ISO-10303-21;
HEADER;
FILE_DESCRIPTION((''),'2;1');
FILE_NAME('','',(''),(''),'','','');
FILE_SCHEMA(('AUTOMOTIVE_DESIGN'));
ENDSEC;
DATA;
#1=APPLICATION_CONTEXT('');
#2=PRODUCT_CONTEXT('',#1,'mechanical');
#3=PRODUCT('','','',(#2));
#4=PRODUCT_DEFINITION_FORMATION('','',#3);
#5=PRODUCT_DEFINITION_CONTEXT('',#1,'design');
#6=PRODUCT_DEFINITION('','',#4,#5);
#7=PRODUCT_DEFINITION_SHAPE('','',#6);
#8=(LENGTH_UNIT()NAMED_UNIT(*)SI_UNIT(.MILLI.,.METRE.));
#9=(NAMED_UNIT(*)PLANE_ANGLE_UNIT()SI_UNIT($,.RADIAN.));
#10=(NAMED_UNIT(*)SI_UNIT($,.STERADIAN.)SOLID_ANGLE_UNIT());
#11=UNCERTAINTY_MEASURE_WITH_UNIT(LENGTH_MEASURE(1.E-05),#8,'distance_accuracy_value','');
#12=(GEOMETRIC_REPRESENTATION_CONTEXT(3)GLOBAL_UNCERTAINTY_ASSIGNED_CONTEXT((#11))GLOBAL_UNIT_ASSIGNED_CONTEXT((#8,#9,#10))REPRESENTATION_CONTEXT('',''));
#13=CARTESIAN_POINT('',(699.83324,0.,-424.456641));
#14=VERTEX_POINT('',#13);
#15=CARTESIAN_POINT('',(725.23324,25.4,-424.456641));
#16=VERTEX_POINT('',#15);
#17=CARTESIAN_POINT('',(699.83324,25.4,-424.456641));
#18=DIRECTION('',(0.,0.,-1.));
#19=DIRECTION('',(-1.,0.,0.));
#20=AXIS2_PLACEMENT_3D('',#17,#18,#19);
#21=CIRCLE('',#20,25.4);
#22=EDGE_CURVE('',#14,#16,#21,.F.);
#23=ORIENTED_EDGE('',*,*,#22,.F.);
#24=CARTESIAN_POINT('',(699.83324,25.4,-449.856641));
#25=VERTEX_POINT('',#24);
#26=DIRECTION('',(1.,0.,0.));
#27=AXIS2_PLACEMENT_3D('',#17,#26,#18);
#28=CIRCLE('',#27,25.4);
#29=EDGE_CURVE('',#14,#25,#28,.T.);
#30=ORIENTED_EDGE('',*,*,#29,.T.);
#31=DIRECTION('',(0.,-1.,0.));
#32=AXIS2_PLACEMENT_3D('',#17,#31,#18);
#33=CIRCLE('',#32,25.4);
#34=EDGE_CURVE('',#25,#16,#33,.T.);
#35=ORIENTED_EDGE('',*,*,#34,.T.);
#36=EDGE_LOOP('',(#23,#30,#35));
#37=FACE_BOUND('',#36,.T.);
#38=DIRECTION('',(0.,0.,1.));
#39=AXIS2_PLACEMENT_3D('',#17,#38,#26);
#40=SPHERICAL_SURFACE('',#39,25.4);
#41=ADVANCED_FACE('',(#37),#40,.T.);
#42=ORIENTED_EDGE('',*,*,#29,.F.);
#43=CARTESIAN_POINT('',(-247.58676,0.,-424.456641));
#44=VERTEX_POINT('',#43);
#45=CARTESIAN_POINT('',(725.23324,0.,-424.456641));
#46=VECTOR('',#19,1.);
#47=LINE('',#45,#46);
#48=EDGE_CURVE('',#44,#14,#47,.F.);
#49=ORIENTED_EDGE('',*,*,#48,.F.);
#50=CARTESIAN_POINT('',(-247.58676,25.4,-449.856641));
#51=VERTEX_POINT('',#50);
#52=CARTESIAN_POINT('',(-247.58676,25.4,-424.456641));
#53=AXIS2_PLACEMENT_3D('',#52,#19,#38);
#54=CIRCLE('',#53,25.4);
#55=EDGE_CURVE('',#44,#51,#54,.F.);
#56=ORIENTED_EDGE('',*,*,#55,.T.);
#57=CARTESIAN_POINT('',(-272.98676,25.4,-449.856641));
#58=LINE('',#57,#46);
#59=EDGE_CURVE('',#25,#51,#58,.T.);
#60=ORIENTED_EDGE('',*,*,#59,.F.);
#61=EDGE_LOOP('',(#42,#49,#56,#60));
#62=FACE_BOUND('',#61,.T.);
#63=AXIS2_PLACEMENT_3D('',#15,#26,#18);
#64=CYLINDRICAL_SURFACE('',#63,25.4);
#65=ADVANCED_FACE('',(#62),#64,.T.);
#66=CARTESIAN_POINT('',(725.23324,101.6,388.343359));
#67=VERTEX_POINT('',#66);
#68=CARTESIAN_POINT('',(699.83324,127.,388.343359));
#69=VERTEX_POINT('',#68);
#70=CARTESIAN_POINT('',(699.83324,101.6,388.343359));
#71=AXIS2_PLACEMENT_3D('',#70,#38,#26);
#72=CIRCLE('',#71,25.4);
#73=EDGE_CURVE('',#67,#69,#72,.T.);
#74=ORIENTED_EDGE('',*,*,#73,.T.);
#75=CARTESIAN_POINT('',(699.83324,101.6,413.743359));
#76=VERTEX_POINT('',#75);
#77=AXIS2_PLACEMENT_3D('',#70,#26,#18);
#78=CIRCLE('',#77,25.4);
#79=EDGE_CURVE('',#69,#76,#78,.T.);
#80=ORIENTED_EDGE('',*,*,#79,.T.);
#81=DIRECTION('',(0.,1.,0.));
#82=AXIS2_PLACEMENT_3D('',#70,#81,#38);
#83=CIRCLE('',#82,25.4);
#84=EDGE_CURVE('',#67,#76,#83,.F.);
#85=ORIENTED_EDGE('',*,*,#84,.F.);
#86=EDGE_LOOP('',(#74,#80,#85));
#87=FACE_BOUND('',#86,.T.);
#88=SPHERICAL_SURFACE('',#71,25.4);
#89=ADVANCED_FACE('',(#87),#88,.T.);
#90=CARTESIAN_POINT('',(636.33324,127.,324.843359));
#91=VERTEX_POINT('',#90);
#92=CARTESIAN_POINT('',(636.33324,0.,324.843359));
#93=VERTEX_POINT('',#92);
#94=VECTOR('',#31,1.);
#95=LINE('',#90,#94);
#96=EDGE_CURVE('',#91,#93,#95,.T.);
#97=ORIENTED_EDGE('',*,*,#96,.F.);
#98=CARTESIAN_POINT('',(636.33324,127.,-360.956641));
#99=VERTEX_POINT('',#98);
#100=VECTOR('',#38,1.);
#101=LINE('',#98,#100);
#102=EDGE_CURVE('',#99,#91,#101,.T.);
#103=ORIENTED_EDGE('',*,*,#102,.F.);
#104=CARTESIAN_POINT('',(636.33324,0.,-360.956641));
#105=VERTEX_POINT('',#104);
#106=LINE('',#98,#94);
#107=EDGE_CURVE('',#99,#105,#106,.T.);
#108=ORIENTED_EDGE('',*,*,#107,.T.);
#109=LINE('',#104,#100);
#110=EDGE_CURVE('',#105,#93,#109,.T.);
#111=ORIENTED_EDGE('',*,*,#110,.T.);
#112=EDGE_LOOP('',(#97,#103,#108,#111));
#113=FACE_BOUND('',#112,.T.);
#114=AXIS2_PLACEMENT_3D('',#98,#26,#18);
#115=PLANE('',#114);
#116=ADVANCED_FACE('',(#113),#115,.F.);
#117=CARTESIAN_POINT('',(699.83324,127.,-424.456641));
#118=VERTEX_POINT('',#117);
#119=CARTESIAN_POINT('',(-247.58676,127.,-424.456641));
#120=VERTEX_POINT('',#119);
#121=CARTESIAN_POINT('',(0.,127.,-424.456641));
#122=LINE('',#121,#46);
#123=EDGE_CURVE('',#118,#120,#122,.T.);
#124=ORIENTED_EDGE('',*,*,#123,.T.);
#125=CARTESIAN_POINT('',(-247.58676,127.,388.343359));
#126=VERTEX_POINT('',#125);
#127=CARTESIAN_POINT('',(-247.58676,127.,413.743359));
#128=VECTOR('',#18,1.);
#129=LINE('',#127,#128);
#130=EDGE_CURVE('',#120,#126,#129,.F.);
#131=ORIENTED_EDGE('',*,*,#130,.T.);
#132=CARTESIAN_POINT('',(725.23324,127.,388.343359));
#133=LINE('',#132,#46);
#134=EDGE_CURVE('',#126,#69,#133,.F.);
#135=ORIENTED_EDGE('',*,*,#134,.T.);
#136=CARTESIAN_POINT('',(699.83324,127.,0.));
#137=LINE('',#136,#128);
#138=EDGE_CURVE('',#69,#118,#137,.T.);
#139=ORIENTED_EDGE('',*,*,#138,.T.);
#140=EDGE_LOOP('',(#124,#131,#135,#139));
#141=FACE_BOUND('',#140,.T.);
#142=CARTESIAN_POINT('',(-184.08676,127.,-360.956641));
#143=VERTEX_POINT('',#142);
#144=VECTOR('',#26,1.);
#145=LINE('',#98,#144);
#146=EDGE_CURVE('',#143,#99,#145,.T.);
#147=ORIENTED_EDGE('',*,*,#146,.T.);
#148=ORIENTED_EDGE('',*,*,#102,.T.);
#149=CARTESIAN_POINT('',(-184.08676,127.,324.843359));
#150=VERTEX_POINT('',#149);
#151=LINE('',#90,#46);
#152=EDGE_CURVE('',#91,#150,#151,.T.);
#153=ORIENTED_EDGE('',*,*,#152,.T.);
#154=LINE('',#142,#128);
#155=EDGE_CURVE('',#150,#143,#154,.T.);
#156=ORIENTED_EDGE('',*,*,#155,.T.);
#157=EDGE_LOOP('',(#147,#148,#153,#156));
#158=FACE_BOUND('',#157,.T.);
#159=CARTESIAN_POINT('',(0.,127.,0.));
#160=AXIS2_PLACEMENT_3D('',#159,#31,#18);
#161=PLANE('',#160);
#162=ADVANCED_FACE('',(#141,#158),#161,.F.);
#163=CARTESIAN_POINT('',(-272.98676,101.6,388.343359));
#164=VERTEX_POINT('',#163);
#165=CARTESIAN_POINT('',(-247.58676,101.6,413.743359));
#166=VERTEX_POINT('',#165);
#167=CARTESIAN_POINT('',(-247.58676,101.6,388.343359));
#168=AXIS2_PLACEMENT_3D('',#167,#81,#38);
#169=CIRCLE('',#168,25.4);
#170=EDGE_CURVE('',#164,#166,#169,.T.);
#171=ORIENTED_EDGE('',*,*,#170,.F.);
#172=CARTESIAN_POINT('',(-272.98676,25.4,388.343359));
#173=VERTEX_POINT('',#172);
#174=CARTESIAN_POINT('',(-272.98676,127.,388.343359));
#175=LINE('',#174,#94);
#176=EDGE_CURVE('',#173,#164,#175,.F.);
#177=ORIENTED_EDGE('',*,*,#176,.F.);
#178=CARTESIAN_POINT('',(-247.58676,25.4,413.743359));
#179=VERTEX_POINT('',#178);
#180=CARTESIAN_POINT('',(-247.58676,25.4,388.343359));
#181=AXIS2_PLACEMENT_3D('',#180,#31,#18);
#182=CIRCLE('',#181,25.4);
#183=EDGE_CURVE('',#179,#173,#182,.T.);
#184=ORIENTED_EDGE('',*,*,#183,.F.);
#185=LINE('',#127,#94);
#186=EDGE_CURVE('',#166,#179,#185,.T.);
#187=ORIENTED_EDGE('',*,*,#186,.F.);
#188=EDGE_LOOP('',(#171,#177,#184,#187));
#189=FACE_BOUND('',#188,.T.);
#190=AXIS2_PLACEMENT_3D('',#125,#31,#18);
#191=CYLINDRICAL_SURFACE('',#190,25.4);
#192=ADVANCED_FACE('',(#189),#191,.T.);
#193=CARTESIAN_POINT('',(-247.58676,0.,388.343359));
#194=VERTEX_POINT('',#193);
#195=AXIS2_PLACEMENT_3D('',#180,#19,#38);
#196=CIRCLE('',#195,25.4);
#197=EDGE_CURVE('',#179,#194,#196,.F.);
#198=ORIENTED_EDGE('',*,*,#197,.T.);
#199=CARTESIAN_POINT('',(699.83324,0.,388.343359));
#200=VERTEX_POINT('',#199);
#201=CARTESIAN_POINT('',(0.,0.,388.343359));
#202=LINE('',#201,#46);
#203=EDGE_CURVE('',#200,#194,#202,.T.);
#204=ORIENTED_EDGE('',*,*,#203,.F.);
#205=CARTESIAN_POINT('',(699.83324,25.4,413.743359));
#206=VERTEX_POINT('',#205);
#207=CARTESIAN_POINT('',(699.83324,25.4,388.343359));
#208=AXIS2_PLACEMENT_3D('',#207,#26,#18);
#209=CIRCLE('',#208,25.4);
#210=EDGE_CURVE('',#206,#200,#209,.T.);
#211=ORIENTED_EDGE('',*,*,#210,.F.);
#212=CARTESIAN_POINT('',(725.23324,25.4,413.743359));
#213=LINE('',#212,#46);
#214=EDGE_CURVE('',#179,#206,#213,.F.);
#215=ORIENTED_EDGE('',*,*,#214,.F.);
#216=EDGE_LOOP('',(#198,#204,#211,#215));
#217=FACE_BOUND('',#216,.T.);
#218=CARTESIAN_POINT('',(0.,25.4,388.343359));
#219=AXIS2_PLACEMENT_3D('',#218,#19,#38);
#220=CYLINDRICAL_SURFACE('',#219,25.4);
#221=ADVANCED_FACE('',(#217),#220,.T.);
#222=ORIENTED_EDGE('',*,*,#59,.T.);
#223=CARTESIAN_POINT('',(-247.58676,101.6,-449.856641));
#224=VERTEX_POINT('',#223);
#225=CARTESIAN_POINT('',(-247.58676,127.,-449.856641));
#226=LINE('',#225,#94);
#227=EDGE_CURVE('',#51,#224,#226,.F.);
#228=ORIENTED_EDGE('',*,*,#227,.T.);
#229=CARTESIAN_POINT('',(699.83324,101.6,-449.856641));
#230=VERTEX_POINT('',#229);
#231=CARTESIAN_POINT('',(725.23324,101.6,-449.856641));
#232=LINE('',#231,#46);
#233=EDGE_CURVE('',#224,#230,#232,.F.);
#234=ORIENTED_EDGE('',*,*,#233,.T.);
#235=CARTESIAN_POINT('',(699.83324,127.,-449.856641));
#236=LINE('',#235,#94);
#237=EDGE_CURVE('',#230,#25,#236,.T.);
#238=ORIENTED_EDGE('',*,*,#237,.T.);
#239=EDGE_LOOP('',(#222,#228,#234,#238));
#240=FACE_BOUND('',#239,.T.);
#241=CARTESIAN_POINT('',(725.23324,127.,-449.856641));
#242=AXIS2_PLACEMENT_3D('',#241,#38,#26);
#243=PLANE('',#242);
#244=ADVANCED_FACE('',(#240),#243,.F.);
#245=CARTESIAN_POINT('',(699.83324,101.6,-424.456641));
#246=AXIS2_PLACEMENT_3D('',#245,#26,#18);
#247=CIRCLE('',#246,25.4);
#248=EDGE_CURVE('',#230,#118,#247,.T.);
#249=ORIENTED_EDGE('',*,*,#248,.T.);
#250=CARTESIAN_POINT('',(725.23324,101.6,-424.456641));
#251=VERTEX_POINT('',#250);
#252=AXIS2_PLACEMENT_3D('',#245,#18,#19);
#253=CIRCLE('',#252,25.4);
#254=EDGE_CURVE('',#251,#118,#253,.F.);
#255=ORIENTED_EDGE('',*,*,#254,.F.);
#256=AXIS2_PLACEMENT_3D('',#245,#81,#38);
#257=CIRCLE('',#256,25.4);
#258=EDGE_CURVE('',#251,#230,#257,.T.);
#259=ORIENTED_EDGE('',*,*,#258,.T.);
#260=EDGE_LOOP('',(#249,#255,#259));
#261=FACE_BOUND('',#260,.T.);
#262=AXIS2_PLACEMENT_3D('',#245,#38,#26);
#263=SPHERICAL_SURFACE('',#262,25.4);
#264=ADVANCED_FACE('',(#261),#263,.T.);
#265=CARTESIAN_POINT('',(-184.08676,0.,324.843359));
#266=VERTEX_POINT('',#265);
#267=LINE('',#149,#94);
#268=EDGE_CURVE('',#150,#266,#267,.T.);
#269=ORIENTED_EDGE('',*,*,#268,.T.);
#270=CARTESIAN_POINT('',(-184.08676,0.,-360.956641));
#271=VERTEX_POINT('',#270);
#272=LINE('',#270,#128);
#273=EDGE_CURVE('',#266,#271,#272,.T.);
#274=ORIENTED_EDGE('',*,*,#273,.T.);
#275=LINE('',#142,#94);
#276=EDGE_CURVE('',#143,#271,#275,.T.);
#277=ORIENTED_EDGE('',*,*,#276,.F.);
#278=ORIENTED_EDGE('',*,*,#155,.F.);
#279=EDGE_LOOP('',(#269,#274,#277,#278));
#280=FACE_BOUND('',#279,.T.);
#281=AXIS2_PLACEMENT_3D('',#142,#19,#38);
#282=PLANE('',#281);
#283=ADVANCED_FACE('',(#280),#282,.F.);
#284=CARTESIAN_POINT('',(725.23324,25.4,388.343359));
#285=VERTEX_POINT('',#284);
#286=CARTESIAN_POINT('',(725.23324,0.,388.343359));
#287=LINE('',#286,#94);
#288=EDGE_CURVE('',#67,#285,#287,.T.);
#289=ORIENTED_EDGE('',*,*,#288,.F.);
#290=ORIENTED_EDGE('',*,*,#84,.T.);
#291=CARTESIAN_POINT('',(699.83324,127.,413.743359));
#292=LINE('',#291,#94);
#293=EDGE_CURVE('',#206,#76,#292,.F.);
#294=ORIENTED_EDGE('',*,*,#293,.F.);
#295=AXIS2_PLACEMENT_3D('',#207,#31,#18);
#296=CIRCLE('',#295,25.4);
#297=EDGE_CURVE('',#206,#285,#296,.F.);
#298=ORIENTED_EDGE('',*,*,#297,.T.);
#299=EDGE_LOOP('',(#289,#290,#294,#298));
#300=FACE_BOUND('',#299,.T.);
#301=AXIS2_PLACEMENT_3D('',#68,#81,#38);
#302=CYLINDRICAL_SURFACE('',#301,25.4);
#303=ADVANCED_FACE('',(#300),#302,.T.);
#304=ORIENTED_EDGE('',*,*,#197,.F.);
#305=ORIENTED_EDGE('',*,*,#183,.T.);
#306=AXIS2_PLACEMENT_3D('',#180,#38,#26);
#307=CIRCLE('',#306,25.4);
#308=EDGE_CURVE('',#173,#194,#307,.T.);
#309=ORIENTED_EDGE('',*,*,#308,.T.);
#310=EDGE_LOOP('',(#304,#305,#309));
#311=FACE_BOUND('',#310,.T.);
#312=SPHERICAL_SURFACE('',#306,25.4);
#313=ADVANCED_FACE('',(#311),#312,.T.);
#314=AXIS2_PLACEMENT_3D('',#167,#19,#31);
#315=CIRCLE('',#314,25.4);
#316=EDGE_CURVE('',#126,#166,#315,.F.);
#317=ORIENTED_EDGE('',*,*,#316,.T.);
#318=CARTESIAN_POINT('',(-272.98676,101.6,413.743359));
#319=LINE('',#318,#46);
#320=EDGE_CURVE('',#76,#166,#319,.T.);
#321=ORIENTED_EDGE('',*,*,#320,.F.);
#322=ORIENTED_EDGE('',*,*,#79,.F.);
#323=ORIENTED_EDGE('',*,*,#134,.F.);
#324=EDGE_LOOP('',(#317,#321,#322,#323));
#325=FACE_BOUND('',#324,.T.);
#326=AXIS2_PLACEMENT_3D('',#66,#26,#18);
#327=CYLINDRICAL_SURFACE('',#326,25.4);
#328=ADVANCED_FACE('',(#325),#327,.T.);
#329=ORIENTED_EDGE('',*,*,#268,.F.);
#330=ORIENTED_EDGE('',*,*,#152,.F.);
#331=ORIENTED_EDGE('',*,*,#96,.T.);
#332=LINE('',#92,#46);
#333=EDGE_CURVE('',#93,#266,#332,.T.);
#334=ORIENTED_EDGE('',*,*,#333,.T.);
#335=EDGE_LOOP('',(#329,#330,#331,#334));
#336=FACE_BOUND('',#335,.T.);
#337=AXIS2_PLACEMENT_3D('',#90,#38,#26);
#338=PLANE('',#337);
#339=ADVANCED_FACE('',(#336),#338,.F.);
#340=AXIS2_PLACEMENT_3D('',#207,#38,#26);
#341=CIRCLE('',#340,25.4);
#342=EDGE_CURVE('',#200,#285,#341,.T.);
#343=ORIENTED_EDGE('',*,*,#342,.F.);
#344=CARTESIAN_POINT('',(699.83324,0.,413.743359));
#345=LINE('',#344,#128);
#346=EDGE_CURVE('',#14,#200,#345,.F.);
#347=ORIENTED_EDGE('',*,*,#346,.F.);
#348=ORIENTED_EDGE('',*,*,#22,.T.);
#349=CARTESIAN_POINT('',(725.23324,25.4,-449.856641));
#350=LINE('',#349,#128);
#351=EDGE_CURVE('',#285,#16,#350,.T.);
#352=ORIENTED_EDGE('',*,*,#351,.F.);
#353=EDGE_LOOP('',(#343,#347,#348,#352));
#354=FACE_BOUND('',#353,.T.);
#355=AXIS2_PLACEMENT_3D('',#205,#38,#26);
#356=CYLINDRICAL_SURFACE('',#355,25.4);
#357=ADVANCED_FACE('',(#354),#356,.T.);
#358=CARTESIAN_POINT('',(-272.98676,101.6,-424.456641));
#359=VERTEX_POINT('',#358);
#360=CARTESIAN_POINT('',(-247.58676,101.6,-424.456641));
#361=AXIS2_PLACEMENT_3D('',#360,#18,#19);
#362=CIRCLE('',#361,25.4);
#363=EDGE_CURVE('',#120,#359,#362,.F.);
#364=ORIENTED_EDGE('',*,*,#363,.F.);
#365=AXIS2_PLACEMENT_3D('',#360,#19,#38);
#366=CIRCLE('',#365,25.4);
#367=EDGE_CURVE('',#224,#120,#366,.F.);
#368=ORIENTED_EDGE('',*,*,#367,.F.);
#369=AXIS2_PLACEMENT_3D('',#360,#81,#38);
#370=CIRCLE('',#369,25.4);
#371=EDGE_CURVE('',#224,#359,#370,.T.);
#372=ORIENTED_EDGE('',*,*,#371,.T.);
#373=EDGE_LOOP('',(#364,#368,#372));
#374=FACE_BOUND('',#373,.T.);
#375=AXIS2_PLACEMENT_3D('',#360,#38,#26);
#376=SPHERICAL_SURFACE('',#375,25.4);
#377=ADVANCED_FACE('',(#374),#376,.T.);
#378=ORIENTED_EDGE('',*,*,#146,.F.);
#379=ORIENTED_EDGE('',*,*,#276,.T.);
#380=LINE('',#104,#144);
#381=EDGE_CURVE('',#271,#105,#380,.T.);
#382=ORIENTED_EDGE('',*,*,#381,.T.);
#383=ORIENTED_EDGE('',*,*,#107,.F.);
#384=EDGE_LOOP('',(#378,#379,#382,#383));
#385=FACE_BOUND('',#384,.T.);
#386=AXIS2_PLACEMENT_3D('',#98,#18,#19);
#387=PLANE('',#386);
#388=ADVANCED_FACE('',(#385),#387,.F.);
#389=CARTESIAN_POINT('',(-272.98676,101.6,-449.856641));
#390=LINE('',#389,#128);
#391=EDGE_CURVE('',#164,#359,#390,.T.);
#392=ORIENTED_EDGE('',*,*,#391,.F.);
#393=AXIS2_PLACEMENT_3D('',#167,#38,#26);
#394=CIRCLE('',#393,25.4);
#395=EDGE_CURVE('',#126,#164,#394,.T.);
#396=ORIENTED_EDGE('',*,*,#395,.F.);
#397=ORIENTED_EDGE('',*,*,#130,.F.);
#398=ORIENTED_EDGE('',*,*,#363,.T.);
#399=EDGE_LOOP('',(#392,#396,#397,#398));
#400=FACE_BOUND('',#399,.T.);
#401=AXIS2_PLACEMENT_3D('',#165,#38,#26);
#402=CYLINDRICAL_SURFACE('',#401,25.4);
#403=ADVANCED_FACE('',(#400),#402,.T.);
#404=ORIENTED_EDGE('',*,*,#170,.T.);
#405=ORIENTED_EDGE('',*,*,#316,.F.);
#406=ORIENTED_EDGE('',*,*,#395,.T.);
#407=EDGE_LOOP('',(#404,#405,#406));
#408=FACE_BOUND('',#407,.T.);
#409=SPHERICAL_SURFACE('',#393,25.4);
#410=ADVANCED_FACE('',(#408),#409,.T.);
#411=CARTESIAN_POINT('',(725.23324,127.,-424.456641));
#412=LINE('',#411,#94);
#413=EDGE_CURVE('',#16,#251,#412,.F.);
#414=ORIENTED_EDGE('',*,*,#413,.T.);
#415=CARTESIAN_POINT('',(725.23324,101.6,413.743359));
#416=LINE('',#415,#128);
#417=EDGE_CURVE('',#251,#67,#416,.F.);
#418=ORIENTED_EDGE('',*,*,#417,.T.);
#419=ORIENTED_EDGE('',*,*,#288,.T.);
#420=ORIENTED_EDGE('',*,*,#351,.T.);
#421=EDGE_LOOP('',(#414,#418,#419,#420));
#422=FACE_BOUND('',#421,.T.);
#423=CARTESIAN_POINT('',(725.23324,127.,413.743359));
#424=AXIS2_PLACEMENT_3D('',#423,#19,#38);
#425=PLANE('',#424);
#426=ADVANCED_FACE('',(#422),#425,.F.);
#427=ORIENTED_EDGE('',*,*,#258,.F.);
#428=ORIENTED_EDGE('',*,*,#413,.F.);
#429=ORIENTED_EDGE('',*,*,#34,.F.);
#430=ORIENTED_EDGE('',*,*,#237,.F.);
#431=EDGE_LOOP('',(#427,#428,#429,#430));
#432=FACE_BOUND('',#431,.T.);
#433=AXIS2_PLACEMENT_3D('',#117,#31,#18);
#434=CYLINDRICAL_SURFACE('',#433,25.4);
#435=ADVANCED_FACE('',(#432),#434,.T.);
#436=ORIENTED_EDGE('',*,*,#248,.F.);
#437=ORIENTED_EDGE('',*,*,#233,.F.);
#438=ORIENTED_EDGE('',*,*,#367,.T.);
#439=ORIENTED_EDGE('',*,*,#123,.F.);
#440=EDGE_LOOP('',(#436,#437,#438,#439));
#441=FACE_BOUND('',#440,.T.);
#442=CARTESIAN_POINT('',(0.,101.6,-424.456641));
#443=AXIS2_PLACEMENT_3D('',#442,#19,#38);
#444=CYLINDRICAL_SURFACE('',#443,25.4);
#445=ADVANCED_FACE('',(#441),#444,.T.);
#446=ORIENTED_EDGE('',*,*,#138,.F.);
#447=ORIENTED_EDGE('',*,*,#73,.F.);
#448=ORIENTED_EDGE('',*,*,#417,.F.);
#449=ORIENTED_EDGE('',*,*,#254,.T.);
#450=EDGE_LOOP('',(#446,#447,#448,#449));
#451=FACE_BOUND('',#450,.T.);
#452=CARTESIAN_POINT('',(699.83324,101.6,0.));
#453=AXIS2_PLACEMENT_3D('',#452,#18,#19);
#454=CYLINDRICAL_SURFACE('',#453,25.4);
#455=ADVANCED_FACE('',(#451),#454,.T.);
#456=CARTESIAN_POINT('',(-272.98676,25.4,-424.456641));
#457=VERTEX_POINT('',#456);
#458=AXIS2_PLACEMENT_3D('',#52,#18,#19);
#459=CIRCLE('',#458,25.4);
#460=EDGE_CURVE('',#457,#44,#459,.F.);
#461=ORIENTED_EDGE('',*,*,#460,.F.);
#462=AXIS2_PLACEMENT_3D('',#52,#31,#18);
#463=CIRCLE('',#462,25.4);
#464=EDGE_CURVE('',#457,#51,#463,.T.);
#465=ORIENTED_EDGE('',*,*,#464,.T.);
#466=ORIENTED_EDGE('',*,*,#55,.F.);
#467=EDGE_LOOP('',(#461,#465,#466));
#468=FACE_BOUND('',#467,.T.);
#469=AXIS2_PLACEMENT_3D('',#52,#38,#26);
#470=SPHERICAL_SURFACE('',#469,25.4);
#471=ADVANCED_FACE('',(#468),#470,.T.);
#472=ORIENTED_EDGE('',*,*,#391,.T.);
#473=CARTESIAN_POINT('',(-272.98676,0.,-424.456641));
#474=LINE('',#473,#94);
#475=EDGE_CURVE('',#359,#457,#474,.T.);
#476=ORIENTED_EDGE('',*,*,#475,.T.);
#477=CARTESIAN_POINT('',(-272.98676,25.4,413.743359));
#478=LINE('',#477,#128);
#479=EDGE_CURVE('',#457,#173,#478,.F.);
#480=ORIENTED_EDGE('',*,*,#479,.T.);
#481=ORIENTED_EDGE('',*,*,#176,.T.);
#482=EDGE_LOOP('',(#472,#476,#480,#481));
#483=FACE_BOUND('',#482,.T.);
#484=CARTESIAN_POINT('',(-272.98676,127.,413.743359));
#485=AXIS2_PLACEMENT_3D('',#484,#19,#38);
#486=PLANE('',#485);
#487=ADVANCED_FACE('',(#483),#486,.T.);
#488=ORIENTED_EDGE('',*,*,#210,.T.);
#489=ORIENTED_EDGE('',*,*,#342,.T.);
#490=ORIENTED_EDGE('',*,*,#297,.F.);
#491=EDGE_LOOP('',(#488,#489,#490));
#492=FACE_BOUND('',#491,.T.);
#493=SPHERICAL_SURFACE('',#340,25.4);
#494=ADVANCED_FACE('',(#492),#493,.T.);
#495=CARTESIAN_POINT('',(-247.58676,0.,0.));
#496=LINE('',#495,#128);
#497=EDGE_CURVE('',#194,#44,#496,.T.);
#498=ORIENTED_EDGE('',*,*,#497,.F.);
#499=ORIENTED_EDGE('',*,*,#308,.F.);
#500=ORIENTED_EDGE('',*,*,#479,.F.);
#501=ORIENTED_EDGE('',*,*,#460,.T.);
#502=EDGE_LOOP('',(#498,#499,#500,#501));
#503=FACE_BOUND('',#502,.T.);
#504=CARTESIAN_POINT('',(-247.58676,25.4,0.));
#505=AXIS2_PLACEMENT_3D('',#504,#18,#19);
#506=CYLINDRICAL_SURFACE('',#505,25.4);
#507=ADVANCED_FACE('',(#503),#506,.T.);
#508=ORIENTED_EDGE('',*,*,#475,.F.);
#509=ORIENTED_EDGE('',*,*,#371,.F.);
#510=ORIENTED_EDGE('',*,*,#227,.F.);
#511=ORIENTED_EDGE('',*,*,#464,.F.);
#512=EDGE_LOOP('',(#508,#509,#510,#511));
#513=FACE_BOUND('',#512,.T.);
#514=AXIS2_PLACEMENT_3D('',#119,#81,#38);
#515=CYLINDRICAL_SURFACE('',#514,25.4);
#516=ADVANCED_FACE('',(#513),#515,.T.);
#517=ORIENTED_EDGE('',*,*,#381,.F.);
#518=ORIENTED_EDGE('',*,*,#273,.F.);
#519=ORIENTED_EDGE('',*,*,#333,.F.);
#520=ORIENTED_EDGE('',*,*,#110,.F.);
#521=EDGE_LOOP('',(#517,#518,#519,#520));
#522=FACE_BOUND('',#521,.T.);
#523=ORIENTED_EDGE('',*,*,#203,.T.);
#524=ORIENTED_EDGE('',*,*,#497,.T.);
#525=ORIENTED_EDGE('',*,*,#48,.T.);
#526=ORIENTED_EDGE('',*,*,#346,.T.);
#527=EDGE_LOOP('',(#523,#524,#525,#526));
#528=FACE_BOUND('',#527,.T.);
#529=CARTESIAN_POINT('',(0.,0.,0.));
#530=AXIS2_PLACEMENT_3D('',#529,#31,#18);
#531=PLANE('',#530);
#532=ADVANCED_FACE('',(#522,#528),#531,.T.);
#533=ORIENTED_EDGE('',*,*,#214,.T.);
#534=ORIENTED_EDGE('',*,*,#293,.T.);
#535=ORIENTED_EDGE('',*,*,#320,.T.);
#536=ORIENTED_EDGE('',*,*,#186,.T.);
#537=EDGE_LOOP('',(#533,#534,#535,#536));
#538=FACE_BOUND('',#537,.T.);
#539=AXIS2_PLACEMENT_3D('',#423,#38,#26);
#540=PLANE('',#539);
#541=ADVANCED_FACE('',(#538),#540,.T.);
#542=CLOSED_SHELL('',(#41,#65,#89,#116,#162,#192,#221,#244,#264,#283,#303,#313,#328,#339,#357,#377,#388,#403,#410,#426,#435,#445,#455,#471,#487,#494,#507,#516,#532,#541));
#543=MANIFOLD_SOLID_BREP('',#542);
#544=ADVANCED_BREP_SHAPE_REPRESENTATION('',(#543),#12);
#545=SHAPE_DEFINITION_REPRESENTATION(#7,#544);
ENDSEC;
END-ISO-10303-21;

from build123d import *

# Parameters (mm, degrees)
SKETCH1_W           = 998.22
SKETCH1_H           = 863.6
BOSS_EXTRUDE1_DEPTH = 127
SKETCH2_W           = 820.42
SKETCH2_H           = 685.8
CUT_EXTRUDE1_DEPTH  = 127
FILLET1_R           = 25.4


with BuildPart() as part:
    # Sketch1 → Boss-Extrude1 (new body)
    with BuildSketch(Plane(origin=(0, 0, 0), x_dir=(1, 0, 0), z_dir=(0, 1, 0))):
        with Locations((226.123239937, 18.056640537)):
            Rectangle(SKETCH1_W, SKETCH1_H)
    extrude(amount=BOSS_EXTRUDE1_DEPTH)

    # Sketch2 → Cut-Extrude1 (cut)
    with BuildSketch(Plane.XZ):
        with Locations((226.123239937, -18.056640537)):
            Rectangle(SKETCH2_W, SKETCH2_H)
    extrude(amount=-CUT_EXTRUDE1_DEPTH, mode=Mode.SUBTRACT)

    # Fillet1
    fillet1_edges = [part.edges().sort_by_distance(p)[0] for p in [
        (-272.986760063, 63.5, 413.743359463),
        (-272.986760063, 63.5, -449.856640537),
        (-272.986760063, 0, -18.056640537),
        (-272.986760063, 127, -18.056640537),
        (725.233239937, 63.5, 413.743359463),
        (226.123239937, 0, 413.743359463),
        (226.123239937, 127, 413.743359463),
        (725.233239937, 63.5, -449.856640537),
        (226.123239937, 0, -449.856640537),
        (226.123239937, 127, -449.856640537),
        (725.233239937, 0, -18.056640537),
        (725.233239937, 127, -18.056640537),
    ]]
    fillet(fillet1_edges, radius=FILLET1_R)


solid = part.part
